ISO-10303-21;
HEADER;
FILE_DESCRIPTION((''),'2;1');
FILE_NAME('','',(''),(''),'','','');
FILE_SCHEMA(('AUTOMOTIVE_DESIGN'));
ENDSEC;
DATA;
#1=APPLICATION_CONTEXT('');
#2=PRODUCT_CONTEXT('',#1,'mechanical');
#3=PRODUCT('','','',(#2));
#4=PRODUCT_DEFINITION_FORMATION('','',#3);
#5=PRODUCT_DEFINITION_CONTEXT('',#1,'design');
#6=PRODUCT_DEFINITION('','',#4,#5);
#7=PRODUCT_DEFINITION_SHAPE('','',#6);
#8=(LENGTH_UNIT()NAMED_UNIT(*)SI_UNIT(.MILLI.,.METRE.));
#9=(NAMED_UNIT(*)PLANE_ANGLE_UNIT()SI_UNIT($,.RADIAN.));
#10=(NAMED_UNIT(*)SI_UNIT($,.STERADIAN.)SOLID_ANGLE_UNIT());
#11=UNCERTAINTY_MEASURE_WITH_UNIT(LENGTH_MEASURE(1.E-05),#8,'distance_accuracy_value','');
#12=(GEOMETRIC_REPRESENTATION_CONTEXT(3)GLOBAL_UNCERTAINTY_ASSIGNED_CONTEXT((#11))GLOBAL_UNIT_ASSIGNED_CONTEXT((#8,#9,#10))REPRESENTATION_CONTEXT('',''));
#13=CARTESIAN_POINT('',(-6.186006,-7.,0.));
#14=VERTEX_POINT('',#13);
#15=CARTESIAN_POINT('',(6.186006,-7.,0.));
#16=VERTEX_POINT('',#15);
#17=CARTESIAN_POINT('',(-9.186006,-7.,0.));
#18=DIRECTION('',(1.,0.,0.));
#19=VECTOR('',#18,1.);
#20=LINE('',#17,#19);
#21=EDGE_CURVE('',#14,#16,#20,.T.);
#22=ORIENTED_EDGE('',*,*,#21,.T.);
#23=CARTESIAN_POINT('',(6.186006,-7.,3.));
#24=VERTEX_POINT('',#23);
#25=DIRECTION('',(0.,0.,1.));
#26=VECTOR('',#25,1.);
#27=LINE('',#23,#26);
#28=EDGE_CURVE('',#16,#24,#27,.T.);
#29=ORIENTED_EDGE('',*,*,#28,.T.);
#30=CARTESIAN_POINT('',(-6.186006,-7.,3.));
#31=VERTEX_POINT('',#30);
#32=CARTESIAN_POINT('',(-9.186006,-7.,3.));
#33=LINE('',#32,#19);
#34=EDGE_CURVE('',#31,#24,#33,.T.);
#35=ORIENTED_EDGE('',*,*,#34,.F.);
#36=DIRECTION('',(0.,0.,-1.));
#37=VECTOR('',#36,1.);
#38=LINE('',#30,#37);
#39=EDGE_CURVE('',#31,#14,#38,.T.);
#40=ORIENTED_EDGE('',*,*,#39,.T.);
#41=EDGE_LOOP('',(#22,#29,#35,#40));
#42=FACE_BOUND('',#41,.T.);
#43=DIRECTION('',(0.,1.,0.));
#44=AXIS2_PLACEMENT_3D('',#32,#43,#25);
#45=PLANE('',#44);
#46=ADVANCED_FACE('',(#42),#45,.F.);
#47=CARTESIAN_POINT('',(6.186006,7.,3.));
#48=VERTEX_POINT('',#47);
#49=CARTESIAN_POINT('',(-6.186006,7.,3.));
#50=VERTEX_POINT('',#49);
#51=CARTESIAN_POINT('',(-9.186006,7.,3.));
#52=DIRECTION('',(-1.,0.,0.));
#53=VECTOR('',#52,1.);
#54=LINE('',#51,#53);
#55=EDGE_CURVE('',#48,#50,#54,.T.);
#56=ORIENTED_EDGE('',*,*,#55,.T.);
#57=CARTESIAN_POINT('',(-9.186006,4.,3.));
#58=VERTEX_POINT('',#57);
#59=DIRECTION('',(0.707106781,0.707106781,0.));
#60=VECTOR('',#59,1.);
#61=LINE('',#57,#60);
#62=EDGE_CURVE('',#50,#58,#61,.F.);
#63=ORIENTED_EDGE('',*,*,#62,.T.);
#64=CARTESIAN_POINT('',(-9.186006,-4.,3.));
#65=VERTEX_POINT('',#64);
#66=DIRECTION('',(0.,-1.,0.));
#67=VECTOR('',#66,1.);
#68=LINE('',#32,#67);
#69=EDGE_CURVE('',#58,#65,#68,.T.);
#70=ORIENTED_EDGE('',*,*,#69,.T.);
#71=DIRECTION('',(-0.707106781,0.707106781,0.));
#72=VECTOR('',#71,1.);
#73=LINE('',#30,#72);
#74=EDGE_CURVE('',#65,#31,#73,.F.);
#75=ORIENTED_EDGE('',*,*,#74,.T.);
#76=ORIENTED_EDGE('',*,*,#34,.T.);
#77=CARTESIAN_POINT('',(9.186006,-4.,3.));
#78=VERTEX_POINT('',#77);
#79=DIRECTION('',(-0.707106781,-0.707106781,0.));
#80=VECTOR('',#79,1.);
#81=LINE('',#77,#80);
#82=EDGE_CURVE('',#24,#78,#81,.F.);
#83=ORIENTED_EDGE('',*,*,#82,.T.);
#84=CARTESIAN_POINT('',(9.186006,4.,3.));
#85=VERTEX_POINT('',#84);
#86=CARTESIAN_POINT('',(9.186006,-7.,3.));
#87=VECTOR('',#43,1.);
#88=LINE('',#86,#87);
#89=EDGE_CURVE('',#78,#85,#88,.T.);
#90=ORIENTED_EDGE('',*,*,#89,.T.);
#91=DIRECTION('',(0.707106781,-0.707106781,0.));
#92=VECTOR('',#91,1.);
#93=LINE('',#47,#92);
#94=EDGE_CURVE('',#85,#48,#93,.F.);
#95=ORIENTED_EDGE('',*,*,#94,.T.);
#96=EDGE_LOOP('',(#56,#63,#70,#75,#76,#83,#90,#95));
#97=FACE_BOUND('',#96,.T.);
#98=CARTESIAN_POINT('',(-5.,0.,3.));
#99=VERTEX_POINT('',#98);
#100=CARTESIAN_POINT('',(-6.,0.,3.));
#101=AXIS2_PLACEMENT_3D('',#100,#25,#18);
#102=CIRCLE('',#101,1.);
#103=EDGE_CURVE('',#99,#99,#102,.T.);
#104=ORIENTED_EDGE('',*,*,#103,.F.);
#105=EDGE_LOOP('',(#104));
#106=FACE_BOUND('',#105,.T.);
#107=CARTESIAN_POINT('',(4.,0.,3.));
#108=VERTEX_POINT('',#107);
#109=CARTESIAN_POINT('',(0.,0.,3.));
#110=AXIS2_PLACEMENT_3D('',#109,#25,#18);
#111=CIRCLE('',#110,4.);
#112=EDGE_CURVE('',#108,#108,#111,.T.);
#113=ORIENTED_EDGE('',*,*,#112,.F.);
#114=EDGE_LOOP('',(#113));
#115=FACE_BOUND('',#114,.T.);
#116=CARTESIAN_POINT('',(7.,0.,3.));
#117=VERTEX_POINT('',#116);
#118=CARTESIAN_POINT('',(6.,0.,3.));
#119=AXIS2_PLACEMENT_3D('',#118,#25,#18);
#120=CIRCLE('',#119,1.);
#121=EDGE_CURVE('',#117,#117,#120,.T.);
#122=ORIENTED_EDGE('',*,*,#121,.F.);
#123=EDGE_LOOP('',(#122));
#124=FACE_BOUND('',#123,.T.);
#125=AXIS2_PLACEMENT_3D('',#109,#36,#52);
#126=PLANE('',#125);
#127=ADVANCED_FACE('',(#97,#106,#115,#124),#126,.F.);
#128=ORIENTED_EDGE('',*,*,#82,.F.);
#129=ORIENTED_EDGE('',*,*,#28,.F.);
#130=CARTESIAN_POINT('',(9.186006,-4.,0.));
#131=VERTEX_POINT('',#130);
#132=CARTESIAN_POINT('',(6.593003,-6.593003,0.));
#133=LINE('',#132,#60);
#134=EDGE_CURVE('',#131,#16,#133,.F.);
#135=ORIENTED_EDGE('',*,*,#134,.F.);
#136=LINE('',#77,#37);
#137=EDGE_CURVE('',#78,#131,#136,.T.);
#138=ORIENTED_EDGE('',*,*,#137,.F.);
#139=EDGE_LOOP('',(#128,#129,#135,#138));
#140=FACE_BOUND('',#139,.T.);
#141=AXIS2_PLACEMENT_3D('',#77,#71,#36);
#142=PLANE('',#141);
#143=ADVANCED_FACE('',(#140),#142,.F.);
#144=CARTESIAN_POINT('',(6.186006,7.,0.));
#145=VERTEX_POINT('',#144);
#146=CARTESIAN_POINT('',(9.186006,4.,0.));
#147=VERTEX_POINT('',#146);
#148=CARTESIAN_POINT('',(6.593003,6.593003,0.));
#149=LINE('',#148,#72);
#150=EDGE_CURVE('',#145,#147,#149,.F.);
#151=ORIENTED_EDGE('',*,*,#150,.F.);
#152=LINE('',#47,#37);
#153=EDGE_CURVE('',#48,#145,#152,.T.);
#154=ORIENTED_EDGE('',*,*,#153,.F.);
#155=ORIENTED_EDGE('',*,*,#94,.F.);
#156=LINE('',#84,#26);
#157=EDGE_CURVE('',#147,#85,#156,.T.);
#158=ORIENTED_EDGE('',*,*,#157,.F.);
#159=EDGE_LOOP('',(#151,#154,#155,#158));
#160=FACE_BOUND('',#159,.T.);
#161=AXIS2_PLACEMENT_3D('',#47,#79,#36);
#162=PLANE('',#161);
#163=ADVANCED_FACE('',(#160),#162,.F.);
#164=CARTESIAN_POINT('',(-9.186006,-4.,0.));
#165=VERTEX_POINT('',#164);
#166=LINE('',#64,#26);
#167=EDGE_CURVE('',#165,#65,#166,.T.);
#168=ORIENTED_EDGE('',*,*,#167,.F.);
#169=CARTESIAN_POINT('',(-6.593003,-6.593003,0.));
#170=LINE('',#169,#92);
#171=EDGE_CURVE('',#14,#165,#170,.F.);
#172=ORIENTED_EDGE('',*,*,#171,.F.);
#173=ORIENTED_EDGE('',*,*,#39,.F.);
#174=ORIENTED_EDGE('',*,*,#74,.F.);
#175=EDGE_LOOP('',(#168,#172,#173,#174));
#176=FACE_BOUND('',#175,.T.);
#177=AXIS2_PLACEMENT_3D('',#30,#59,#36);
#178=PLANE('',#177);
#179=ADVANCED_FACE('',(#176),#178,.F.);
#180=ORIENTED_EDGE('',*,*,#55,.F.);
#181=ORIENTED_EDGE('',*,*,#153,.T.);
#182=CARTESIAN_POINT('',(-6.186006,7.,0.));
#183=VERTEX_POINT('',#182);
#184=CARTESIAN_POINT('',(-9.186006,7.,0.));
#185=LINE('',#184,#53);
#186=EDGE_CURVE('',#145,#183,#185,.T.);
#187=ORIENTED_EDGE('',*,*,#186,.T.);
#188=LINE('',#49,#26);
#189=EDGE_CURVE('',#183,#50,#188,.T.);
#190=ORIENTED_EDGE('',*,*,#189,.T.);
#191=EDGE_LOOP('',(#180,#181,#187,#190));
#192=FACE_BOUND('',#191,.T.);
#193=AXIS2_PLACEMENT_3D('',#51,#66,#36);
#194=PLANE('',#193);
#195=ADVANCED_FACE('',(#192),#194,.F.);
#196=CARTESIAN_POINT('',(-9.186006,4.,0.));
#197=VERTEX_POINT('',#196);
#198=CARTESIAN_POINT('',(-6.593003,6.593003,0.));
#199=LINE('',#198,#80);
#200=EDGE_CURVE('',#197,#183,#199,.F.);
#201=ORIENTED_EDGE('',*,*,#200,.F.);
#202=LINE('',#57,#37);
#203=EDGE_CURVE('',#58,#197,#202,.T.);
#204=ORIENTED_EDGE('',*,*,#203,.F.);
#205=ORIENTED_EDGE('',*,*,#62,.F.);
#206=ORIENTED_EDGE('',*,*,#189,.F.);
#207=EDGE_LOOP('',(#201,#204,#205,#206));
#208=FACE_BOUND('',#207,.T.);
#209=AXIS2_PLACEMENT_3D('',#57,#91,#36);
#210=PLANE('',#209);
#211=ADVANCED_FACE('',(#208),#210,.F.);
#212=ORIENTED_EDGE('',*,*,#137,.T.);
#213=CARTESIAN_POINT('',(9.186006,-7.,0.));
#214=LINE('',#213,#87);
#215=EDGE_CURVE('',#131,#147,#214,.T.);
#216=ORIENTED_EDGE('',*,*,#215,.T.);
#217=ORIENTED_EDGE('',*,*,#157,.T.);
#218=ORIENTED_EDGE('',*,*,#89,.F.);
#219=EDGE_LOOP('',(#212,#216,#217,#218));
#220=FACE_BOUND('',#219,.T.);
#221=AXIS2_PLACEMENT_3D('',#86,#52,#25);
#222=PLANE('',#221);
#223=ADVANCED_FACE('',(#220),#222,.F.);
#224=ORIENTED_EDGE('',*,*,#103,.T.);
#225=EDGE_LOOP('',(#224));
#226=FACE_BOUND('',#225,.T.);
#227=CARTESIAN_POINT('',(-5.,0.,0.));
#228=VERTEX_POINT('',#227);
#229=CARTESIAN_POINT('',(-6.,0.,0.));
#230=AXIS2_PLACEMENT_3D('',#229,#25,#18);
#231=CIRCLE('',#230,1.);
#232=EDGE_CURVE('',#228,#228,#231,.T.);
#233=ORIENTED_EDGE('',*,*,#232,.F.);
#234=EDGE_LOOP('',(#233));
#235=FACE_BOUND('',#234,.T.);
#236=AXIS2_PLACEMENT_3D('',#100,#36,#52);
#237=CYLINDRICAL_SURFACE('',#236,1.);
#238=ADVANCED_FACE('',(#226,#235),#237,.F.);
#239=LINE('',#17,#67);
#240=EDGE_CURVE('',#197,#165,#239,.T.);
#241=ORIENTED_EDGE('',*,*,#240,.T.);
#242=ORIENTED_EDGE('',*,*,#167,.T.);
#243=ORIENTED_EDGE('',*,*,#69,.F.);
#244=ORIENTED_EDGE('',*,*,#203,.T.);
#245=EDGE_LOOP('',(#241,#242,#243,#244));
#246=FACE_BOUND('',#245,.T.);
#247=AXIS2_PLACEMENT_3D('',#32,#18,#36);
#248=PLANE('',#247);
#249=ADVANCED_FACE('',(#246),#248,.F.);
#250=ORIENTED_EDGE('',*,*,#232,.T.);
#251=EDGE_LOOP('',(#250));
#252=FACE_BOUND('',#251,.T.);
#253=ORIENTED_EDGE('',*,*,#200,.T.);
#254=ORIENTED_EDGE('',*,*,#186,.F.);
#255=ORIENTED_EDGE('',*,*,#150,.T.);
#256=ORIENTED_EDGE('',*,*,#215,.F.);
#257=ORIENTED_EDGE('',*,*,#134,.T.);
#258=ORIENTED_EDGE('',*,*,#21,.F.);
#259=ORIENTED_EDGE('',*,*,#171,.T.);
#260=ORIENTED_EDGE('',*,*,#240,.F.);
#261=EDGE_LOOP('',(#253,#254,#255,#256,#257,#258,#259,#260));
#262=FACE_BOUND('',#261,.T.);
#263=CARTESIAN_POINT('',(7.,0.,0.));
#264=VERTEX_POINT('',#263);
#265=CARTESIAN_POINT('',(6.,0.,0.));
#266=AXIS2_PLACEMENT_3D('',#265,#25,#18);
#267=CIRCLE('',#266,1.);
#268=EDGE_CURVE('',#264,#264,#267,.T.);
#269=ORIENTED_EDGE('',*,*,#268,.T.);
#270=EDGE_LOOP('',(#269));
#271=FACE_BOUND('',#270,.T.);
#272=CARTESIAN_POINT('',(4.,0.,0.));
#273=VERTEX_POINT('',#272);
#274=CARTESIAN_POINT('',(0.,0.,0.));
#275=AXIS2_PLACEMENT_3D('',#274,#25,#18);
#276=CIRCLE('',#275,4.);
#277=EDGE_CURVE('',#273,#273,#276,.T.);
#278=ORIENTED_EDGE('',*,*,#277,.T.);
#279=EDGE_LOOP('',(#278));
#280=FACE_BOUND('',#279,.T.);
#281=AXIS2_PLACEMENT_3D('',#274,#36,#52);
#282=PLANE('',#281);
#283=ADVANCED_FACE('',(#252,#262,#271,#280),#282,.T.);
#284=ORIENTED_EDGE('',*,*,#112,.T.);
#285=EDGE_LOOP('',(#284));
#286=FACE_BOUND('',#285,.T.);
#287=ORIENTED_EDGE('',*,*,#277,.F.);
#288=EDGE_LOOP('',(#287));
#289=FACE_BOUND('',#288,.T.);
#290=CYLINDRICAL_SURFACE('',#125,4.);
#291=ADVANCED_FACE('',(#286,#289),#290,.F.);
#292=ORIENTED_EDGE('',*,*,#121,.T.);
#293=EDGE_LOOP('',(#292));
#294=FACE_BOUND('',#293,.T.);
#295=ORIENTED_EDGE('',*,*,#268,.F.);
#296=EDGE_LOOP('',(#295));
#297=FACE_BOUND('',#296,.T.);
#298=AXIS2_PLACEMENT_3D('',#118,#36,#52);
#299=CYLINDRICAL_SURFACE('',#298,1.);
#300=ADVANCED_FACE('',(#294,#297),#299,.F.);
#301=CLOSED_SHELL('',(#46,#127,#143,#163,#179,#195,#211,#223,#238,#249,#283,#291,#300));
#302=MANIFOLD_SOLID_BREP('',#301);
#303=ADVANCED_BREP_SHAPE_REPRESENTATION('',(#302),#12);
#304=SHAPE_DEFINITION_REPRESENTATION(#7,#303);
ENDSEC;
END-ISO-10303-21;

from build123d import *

# Parameters (mm, degrees)
SKETCH1_W           = 18.372011154
SKETCH1_H           = 14
SKETCH1_R           = 1
SKETCH1_R_2         = 4
BOSS_EXTRUDE1_DEPTH = 3
CHAMFER1_SIZE       = 3


with BuildPart() as part:
    # Sketch1 → Boss-Extrude1 (new body)
    with BuildSketch(Plane.XY):
        Rectangle(SKETCH1_W, SKETCH1_H)
        with Locations((-6, 0)):
            Circle(SKETCH1_R, mode=Mode.SUBTRACT)
        with Locations((6, 0)):
            Circle(SKETCH1_R, mode=Mode.SUBTRACT)
        Circle(SKETCH1_R_2, mode=Mode.SUBTRACT)
    extrude(amount=BOSS_EXTRUDE1_DEPTH)

    # Chamfer1
    chamfer1_edges = [part.edges().sort_by_distance(p)[0] for p in [
        (9.186005577, -7, 1.5),
        (-9.186005577, -7, 1.5),
        (-9.186005577, 7, 1.5),
        (9.186005577, 7, 1.5),
    ]]
    chamfer(chamfer1_edges, length=CHAMFER1_SIZE)


solid = part.part
